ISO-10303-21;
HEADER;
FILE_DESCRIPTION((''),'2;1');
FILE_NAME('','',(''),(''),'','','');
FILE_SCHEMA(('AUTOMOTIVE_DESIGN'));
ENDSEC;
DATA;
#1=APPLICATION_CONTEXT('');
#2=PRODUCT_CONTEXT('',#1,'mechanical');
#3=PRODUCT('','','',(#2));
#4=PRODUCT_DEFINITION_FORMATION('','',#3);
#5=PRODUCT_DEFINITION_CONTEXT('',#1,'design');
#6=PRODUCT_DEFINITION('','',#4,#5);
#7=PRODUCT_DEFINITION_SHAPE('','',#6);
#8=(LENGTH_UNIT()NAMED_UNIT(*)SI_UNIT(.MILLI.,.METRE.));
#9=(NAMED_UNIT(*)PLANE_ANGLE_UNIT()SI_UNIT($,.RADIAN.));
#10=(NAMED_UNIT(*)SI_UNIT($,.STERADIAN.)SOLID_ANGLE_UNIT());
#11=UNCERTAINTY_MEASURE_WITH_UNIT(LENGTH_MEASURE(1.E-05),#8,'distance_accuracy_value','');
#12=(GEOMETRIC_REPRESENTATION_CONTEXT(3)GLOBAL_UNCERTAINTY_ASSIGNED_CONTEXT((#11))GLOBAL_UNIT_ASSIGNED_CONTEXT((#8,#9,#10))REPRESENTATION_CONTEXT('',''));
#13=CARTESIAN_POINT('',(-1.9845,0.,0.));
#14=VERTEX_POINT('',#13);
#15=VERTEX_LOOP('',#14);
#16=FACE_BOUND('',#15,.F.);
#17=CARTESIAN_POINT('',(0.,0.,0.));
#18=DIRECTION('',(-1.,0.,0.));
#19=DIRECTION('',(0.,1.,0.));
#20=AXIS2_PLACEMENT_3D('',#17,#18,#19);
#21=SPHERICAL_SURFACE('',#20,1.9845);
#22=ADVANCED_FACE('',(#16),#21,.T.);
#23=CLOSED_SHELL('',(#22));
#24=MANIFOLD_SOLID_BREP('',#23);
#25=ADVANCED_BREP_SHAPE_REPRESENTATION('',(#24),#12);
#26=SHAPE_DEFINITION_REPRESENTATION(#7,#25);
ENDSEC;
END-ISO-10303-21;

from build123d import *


with BuildPart() as part:
    # Sketch1 → Revolve3 (revolve)
    with BuildSketch(Plane.XY):
        with BuildLine():
            Line((-1.9845, 0), (1.9845, 0))
            ThreePointArc((1.9845, 0), (0, 1.9845), (-1.9845, 0))
        make_face()
    revolve(axis=Axis((-5.474681738, 0, 0), (1, 0, 0)))


solid = part.part
